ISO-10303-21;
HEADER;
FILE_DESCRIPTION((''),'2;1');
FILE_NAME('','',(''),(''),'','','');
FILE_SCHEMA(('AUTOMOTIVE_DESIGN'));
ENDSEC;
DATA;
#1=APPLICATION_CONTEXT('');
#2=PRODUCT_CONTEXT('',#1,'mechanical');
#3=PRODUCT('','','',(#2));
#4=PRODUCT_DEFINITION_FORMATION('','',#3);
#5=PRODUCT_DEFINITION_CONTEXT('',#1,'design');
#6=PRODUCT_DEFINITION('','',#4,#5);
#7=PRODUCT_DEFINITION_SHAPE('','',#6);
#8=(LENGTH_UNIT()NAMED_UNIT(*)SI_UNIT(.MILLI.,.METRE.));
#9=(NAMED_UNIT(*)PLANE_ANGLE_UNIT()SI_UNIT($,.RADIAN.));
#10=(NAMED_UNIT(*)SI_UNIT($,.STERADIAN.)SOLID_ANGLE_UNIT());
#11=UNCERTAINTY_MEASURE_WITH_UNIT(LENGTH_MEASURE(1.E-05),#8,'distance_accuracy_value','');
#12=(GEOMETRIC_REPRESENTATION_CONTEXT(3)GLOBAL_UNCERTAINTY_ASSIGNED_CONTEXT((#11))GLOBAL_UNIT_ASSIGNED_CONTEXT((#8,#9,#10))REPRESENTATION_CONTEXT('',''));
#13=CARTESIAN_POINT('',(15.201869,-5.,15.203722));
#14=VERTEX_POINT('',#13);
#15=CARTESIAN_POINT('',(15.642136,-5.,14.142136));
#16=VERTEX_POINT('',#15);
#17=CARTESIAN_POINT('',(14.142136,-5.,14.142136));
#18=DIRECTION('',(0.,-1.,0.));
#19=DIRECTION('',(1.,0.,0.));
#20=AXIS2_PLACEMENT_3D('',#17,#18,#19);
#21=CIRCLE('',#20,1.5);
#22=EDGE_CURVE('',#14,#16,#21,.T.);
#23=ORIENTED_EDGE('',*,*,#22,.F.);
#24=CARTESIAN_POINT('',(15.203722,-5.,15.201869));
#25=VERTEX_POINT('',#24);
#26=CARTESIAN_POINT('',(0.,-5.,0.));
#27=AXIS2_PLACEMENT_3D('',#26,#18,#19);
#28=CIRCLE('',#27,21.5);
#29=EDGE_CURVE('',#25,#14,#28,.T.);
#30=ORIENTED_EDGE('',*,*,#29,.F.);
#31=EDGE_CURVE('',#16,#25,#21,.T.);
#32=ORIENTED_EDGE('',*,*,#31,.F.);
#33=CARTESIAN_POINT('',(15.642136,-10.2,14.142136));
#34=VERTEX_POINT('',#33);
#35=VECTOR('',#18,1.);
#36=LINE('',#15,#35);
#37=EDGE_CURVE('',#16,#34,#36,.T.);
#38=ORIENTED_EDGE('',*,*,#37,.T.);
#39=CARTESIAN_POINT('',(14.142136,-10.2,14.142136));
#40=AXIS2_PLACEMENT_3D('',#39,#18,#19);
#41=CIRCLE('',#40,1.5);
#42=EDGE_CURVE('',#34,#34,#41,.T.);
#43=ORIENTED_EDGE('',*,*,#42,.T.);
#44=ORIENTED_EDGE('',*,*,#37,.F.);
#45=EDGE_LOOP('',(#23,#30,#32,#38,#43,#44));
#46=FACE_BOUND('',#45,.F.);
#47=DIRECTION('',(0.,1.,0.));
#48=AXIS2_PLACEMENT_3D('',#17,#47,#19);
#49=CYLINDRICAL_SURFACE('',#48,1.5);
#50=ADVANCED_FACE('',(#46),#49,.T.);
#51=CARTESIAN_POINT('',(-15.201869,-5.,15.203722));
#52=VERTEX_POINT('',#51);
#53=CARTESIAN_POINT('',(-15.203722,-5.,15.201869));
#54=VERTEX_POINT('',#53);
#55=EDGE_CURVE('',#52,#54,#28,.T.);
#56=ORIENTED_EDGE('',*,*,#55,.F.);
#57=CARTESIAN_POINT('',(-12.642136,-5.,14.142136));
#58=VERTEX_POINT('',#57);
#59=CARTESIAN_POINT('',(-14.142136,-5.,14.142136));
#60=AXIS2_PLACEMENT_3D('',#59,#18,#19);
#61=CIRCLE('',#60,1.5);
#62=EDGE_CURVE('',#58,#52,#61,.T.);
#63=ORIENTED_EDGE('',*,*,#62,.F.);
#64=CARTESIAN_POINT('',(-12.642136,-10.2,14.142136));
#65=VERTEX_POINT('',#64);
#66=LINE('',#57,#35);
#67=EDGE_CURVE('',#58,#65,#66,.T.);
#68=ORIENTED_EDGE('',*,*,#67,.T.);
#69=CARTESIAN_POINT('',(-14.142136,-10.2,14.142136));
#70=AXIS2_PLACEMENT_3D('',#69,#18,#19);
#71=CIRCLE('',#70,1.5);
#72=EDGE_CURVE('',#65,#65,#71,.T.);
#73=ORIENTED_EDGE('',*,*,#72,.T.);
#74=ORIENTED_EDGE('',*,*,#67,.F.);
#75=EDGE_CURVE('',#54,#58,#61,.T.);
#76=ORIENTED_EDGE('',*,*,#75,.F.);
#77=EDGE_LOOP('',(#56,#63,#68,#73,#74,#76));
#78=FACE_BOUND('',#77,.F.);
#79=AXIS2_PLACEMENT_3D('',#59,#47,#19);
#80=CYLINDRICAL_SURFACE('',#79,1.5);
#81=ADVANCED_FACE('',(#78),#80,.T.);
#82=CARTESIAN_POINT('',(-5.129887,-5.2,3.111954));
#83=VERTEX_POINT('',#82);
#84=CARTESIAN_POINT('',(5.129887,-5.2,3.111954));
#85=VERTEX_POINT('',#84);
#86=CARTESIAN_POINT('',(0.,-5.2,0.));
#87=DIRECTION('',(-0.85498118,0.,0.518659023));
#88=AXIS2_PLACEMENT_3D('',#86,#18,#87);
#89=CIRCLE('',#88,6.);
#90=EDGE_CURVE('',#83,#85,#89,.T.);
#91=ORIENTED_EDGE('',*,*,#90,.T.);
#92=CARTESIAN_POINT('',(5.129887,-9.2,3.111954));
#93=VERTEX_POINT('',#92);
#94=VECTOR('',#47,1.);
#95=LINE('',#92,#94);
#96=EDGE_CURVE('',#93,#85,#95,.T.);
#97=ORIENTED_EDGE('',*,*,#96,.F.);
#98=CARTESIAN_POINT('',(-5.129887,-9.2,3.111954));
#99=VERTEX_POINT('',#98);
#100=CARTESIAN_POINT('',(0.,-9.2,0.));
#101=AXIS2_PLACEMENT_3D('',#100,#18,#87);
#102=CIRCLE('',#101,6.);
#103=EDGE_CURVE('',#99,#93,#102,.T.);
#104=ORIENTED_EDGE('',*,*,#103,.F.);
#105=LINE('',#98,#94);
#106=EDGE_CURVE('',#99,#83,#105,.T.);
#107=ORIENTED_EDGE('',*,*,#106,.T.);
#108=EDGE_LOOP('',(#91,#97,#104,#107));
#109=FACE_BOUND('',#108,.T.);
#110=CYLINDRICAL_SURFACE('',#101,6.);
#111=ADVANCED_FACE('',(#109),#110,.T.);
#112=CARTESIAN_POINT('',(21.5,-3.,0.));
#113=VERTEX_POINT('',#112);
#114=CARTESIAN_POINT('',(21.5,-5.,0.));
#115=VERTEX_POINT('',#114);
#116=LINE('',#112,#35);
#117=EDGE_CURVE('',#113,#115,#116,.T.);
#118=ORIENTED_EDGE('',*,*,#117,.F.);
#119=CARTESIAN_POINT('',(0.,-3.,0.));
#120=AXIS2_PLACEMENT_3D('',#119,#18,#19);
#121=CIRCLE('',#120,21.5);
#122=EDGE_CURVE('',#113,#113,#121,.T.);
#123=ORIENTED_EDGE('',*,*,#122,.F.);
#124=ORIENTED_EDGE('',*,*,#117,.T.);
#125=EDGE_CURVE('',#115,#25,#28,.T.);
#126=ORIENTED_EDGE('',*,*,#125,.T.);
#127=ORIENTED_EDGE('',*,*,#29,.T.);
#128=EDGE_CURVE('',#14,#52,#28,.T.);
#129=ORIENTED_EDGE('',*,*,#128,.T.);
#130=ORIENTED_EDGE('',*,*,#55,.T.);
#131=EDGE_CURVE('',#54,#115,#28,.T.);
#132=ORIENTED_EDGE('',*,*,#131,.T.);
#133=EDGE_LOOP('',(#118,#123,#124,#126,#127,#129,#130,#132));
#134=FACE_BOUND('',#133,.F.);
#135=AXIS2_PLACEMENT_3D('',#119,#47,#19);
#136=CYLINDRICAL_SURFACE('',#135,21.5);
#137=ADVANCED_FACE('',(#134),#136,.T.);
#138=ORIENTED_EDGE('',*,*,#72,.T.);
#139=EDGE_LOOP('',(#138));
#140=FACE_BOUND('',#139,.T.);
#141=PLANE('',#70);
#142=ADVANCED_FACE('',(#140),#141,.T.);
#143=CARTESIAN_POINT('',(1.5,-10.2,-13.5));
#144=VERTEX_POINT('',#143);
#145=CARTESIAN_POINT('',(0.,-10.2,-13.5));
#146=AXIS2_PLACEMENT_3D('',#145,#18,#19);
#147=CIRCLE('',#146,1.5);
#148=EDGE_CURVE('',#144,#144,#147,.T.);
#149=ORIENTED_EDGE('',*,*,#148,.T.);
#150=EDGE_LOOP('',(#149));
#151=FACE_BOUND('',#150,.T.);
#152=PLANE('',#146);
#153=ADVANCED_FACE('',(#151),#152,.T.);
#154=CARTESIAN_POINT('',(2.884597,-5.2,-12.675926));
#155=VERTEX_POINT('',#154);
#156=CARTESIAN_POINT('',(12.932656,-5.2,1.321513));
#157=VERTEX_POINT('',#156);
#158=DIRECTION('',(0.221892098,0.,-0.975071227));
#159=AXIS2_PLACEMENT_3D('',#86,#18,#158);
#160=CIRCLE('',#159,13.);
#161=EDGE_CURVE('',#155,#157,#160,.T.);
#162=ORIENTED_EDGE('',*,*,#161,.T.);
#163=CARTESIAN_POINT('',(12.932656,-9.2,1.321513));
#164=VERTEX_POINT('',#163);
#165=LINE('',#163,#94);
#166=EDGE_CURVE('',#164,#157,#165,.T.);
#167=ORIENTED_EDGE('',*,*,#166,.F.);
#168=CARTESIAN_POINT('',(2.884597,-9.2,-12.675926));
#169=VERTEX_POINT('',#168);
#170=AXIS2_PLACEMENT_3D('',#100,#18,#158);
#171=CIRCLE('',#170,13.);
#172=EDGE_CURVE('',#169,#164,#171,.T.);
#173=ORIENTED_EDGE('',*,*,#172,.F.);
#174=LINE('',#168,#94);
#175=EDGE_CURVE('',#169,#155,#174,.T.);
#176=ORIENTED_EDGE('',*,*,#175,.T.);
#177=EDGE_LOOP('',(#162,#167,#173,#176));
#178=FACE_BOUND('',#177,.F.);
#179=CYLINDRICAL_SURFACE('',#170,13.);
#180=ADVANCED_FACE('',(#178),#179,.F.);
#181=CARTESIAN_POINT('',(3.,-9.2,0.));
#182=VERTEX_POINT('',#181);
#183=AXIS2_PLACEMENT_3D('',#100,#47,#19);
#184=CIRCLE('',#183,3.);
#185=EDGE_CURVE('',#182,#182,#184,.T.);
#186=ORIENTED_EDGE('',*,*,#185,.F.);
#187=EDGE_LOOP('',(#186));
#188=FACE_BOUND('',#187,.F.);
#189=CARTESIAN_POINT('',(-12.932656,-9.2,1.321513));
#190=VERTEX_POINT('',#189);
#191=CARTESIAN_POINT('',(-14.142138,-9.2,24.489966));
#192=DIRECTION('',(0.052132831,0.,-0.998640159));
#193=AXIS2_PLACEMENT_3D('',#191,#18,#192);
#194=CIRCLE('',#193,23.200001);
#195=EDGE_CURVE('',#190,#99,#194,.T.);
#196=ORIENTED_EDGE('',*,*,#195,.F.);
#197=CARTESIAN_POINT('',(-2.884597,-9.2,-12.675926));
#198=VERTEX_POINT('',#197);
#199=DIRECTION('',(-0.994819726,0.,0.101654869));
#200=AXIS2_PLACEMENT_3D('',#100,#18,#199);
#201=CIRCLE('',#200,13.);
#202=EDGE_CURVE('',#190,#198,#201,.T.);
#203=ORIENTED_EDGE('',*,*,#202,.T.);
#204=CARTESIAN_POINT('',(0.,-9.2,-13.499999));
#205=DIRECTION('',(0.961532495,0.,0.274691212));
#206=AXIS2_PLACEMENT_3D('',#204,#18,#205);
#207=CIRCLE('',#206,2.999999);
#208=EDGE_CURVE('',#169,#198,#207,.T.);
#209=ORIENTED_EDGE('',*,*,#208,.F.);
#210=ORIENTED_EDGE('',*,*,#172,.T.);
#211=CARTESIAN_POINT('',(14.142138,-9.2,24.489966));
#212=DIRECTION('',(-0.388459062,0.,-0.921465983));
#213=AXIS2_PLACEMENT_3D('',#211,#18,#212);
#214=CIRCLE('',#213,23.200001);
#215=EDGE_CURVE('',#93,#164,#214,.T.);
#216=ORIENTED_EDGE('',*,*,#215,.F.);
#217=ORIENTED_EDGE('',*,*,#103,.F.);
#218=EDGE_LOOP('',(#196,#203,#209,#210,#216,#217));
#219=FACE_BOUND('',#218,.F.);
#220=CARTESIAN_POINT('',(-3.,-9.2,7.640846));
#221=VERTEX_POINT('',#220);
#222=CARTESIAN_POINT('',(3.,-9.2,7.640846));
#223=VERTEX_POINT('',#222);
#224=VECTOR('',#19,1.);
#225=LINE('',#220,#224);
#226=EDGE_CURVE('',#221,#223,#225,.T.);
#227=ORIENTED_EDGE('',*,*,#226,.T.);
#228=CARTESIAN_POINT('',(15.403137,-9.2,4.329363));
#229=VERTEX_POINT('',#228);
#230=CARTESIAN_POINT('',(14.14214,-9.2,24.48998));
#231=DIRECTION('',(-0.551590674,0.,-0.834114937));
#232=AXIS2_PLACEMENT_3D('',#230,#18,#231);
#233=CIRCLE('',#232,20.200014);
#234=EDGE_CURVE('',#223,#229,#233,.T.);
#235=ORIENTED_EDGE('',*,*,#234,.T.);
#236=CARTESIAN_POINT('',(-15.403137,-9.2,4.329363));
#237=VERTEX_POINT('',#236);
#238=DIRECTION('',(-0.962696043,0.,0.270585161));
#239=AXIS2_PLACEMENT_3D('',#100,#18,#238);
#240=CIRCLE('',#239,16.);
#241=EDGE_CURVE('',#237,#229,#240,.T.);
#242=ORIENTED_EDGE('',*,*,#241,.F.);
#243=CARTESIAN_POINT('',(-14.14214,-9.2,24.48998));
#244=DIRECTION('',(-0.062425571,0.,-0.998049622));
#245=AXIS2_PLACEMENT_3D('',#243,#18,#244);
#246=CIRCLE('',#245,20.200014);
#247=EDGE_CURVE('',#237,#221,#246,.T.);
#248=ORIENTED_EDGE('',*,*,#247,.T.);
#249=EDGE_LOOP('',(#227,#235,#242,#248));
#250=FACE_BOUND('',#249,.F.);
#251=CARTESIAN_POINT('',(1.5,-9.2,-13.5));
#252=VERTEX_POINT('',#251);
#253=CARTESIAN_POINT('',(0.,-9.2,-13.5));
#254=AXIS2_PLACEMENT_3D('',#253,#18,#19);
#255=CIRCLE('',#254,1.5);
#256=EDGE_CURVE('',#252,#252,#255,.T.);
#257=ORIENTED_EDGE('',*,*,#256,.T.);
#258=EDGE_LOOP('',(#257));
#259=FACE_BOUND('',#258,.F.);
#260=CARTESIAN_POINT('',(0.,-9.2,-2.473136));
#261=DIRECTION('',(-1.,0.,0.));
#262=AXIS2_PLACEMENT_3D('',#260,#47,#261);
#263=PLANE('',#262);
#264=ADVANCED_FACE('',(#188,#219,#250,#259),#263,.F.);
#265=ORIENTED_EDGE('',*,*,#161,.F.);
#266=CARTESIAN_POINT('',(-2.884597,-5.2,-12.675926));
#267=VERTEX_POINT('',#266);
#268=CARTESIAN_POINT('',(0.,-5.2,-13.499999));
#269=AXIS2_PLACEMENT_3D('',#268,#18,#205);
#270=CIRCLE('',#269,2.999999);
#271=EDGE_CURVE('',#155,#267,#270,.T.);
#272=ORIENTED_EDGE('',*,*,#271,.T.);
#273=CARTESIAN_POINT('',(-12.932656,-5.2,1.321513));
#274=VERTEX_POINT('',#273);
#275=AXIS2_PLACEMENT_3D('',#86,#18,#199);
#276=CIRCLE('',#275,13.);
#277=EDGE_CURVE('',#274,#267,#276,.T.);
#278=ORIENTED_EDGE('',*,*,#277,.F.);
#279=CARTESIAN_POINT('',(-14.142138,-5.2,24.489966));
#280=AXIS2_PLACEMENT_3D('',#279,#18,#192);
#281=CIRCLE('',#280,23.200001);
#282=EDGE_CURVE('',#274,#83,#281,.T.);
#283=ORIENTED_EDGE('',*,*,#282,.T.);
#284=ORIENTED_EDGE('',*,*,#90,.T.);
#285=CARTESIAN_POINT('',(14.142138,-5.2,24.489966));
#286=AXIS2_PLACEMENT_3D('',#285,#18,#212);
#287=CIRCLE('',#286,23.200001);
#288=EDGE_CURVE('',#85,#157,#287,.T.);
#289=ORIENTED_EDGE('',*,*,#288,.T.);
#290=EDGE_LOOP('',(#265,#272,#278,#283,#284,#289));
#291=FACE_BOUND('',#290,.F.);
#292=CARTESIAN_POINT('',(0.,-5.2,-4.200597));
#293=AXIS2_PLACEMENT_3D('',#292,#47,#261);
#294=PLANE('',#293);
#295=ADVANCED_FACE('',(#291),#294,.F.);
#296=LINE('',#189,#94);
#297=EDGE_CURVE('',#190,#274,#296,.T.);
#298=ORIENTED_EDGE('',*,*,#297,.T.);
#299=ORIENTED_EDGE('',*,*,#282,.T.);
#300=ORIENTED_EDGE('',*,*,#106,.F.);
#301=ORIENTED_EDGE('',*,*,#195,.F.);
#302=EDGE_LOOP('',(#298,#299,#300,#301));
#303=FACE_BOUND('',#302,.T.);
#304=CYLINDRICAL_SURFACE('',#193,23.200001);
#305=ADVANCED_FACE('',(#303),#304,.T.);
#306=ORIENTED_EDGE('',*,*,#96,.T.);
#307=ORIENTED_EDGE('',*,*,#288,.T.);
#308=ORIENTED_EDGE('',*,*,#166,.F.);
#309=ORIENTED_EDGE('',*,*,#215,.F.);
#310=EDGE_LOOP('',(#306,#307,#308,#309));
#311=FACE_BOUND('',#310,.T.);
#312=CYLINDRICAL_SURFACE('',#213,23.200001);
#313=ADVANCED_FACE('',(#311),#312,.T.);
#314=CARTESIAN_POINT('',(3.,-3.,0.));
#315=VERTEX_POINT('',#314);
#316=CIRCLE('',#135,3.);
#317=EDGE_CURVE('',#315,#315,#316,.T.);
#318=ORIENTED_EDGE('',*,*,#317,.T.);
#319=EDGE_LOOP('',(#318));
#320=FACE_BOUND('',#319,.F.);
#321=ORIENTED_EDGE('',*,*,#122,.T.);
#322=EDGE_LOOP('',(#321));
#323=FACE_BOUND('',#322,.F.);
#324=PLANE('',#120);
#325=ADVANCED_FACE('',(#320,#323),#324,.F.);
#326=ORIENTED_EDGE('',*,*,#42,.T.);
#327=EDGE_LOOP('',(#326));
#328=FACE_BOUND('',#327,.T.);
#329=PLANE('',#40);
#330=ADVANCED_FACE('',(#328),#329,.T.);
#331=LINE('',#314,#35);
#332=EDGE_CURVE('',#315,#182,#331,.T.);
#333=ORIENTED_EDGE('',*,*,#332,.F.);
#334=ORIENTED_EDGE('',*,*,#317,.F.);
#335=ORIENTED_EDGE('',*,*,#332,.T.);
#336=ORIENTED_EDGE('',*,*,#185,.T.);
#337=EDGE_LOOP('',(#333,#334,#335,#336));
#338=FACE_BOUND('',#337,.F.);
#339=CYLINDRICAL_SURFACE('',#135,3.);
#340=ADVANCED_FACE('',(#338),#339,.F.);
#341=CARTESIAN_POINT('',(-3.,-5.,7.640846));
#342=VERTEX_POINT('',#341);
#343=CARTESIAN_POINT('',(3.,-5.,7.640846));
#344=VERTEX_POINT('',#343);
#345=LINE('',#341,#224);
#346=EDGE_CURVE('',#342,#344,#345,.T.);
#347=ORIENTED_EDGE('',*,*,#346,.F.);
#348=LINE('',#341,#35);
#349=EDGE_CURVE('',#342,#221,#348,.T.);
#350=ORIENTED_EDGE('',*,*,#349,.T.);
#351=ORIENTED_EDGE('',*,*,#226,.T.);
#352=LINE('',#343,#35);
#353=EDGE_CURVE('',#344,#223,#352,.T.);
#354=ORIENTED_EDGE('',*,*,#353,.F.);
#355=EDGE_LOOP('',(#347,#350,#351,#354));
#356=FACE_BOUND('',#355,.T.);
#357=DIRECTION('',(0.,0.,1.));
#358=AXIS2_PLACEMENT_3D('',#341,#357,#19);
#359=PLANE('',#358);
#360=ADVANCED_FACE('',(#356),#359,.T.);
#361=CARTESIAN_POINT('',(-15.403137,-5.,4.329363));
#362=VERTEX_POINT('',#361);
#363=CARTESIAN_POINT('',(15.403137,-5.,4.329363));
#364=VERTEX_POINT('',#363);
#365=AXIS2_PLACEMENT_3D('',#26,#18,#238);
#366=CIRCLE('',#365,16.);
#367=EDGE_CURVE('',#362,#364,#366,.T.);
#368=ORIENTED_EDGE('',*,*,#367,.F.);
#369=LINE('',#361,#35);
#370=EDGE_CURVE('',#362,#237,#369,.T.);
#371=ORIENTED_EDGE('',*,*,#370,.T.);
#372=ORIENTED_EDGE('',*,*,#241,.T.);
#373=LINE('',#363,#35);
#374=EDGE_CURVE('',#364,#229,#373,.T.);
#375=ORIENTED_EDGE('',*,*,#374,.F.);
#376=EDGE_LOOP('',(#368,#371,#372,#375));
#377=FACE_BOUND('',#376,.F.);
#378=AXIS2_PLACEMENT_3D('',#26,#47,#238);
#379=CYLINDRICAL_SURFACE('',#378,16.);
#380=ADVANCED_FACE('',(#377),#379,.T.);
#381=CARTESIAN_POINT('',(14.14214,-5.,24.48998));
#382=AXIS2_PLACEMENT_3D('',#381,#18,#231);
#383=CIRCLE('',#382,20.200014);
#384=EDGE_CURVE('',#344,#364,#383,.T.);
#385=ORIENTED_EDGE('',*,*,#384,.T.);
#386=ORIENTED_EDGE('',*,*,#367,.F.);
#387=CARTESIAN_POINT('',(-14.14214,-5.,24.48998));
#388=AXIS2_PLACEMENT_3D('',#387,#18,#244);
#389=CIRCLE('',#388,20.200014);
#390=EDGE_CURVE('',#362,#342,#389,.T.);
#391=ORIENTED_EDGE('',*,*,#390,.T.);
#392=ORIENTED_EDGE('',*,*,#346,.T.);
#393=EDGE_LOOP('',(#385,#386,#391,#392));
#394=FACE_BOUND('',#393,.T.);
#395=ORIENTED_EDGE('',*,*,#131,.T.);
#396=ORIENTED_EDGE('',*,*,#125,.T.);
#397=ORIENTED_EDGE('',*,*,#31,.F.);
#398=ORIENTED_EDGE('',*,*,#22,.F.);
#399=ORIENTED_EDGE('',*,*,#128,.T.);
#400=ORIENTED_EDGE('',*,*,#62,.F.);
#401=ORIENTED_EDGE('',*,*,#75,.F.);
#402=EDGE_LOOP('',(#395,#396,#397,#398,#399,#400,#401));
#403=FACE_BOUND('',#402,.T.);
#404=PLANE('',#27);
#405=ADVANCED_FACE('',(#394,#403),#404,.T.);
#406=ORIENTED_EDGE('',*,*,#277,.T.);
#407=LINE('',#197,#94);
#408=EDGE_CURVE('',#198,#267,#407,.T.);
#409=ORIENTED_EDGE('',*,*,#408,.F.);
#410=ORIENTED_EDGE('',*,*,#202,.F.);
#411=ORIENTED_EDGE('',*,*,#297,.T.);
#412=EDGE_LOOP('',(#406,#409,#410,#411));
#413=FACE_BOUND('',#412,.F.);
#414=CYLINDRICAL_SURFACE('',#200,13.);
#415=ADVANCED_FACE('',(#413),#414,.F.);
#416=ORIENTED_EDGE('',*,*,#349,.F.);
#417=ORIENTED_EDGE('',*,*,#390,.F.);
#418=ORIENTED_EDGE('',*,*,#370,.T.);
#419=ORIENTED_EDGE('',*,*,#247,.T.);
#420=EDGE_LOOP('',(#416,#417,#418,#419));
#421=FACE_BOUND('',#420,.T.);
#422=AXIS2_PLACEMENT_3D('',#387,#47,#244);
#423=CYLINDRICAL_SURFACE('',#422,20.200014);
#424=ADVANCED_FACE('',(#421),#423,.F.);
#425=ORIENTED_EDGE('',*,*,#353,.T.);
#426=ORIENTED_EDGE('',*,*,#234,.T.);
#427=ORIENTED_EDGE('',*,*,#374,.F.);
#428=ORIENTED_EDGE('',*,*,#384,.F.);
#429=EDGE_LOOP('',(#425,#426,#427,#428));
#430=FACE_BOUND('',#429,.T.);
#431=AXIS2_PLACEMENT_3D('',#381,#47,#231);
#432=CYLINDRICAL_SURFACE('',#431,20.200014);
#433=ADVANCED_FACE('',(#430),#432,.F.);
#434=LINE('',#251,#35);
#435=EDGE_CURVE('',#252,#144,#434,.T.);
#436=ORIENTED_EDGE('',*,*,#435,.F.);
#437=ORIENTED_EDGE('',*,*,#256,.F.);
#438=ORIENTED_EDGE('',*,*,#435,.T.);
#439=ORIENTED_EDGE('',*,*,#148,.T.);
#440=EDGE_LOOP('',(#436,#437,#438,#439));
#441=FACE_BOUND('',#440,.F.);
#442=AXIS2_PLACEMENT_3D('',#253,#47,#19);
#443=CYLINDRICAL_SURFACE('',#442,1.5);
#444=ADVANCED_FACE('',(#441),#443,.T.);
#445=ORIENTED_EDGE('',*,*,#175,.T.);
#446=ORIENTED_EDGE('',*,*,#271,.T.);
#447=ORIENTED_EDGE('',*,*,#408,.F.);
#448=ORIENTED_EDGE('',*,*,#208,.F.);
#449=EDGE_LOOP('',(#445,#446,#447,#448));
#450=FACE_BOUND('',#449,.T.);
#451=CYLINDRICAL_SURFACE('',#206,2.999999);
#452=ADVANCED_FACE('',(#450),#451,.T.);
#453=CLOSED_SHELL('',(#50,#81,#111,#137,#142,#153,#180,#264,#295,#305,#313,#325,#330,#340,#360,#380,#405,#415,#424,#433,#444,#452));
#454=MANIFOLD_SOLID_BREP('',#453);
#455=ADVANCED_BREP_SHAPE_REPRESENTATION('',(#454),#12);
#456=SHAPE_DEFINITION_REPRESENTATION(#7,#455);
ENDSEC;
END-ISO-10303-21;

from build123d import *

# Parameters (mm, degrees)
SKETCH_R        = 21.5
PAD_DEPTH       = 2
SKETCH031_R     = 1.5
PAD015_DEPTH    = 5.2
PAD016_DEPTH    = 4.2
SKETCH032_R     = 1.5
PAD017_DEPTH    = 1
POCKET018_DEPTH = 4
SKETCH036_R     = 3
POCKET019_DEPTH = 7.201
SKETCH038_R     = 3
POCKET022_DEPTH = 7.201


with BuildPart() as part:
    # Sketch → Pad (new body)
    with BuildSketch(Plane.XZ):
        Circle(SKETCH_R)
    extrude(amount=PAD_DEPTH)

    # Sketch031 (on Face3 of Pad) → Pad015 (join)
    with BuildSketch(Plane.XZ.offset(2)):
        with Locations((-14.142136, 14.142136)):
            Circle(SKETCH031_R)
        with Locations((14.142136, 14.142136)):
            Circle(SKETCH031_R)
    extrude(amount=PAD015_DEPTH)

    # Sketch017 (on Face3 of Pad) → Pad016 (join)
    with BuildSketch(Plane.XZ.offset(2)):
        with BuildLine():
            ThreePointArc((-15.403137, 4.329363), (-8.931504, 4.97358), (-3, 7.640846))
            Line((-3, 7.640846), (3, 7.640846))
            ThreePointArc((3, 7.640846), (8.931504, 4.97358), (15.403137, 4.329363))
            ThreePointArc((-15.403137, 4.329363), (0, -16), (15.403137, 4.329363))
        make_face()
    extrude(amount=PAD016_DEPTH)

    # Sketch032 (on Face11 of Pad016) → Pad017 (join)
    with BuildSketch(Plane.XZ.offset(6.2)):
        with Locations((0, -13.5)):
            Circle(SKETCH032_R)
    extrude(amount=PAD017_DEPTH)

    # Sketch035 (on Face11 of Pad017) → Pocket018 (cut)
    with BuildSketch(Plane.XZ.offset(6.2)):
        with BuildLine():
            ThreePointArc((-12.932656, 1.321513), (-8.953461, 1.877631), (-5.129887, 3.111954))
            ThreePointArc((-5.129887, 3.111954), (0, -6), (5.129887, 3.111954))
            ThreePointArc((5.129887, 3.111954), (8.953461, 1.877631), (12.932656, 1.321513))
            ThreePointArc((2.884597, -12.675926), (10.560703, -7.580999), (12.932656, 1.321513))
            ThreePointArc((2.884597, -12.675926), (0, -10.5), (-2.884597, -12.675926))
            ThreePointArc((-12.932656, 1.321513), (-10.560703, -7.580999), (-2.884597, -12.675926))
        make_face()
    extrude(amount=-POCKET018_DEPTH, mode=Mode.SUBTRACT)

    # Sketch036 (on Face2 of Pocket018) → Pocket019 (cut, through all)
    with BuildSketch(Plane(origin=(0, 0, 0), x_dir=(1, 0, 0), z_dir=(0, 1, 0))):
        Circle(SKETCH036_R)
    extrude(amount=-POCKET019_DEPTH, mode=Mode.SUBTRACT)

    # Sketch038 (on Face2 of Pad016) → Pocket022 (cut, through all)
    with BuildSketch(Plane(origin=(0, 0, 0), x_dir=(1, 0, 0), z_dir=(0, 1, 0))):
        Circle(SKETCH038_R)
    extrude(amount=-POCKET022_DEPTH, mode=Mode.SUBTRACT)


with BuildPart() as part_1:
    # Body placement: moved
    add(part.part.moved(Location((0, -3, 0))))


solid = part_1.part
